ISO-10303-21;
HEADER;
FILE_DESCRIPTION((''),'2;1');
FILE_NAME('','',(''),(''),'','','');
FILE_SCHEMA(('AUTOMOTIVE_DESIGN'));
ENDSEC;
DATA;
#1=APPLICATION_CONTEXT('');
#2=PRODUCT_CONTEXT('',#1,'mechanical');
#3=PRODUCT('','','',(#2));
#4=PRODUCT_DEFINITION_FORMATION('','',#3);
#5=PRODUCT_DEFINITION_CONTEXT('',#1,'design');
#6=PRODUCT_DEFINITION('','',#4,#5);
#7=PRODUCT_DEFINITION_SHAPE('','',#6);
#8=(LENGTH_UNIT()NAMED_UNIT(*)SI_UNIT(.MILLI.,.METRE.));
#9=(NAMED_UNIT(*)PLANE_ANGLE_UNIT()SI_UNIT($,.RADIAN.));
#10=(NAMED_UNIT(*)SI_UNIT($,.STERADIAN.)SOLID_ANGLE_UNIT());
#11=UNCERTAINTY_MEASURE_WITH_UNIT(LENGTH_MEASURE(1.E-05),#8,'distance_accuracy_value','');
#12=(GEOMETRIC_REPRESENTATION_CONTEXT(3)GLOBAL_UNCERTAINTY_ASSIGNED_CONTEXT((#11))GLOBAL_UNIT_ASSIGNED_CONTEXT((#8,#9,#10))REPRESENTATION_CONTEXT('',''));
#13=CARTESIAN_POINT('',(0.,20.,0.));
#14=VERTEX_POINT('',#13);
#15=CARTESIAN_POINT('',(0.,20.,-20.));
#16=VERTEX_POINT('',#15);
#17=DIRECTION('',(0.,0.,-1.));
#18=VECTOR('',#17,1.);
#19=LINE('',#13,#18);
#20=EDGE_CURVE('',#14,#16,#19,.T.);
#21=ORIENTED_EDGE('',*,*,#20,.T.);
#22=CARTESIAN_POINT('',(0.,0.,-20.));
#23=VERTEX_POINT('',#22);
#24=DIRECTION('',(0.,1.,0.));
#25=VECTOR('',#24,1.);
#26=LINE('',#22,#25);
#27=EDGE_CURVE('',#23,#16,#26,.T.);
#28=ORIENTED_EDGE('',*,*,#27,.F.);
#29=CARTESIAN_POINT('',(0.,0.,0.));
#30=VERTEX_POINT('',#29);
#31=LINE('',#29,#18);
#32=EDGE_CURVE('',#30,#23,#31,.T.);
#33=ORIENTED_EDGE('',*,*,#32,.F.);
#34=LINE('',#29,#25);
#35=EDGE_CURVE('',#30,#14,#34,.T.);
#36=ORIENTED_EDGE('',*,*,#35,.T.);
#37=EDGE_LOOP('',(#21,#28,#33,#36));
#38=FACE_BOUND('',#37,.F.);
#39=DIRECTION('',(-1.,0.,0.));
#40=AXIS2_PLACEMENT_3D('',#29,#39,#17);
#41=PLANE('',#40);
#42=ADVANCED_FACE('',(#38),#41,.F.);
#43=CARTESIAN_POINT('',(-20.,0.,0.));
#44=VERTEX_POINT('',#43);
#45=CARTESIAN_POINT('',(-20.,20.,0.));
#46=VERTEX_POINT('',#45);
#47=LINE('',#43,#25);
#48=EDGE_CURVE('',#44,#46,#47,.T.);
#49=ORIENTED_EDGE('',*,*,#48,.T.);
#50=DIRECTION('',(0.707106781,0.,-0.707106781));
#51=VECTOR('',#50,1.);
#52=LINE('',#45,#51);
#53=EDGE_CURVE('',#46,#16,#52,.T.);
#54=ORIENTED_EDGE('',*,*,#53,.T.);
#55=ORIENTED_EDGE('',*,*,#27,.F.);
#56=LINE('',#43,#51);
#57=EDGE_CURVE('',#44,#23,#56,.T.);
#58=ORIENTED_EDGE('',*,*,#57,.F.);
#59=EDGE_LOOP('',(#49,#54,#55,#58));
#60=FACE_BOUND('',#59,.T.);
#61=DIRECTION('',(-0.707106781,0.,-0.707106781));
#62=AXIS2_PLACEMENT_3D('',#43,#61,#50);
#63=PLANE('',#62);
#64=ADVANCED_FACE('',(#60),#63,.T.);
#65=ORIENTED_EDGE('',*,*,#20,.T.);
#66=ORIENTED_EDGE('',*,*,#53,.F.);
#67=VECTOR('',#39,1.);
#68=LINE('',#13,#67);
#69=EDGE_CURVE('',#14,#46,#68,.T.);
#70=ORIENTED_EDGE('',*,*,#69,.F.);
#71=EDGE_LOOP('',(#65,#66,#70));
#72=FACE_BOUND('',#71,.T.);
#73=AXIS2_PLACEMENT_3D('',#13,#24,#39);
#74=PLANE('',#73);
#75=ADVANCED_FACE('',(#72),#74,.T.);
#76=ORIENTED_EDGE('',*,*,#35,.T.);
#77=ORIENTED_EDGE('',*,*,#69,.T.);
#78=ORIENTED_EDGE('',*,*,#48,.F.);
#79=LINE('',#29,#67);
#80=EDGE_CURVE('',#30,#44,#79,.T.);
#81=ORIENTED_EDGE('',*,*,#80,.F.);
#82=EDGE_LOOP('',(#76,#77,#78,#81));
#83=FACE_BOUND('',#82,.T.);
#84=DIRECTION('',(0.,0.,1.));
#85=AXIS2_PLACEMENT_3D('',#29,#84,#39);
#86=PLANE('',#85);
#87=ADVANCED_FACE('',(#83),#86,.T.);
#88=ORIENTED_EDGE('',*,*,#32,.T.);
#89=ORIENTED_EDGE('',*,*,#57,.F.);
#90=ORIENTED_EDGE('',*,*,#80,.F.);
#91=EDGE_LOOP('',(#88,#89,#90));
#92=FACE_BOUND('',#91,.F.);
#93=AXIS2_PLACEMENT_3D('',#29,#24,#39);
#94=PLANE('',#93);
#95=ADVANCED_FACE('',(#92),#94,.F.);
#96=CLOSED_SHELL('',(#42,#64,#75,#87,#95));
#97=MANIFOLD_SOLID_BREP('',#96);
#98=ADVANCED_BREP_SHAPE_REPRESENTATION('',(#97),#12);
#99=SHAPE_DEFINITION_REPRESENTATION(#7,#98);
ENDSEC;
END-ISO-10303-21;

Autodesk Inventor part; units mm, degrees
ref_plane "YZ Plane" through (0, 0, 0) normal (1, 0, 0) x (0, 1, 0)
ref_plane "XZ Plane" through (0, 0, 0) normal (0, 1, 0) x (-1, 0, 0)
ref_plane "XY Plane" through (0, 0, 0) normal (0, 0, 1) x (1, 0, 0)
sketch "Sketch1" plane through (0, 0, 0) normal (0, 1, 0) x (-1, 0, 0)
  line L0 (0, 0) -> (0, -20)
  line L1 (0, 0) -> (20, 0)
  line L2 (20, 0) -> (0, -20)
  dimension "d0" = 20
  dimension "d1" = 20
extrude "Extrusion1" add sketch "Sketch1" along normal blind 20
properties part number "holderWebcam" material "PC/ABS Plastic"
